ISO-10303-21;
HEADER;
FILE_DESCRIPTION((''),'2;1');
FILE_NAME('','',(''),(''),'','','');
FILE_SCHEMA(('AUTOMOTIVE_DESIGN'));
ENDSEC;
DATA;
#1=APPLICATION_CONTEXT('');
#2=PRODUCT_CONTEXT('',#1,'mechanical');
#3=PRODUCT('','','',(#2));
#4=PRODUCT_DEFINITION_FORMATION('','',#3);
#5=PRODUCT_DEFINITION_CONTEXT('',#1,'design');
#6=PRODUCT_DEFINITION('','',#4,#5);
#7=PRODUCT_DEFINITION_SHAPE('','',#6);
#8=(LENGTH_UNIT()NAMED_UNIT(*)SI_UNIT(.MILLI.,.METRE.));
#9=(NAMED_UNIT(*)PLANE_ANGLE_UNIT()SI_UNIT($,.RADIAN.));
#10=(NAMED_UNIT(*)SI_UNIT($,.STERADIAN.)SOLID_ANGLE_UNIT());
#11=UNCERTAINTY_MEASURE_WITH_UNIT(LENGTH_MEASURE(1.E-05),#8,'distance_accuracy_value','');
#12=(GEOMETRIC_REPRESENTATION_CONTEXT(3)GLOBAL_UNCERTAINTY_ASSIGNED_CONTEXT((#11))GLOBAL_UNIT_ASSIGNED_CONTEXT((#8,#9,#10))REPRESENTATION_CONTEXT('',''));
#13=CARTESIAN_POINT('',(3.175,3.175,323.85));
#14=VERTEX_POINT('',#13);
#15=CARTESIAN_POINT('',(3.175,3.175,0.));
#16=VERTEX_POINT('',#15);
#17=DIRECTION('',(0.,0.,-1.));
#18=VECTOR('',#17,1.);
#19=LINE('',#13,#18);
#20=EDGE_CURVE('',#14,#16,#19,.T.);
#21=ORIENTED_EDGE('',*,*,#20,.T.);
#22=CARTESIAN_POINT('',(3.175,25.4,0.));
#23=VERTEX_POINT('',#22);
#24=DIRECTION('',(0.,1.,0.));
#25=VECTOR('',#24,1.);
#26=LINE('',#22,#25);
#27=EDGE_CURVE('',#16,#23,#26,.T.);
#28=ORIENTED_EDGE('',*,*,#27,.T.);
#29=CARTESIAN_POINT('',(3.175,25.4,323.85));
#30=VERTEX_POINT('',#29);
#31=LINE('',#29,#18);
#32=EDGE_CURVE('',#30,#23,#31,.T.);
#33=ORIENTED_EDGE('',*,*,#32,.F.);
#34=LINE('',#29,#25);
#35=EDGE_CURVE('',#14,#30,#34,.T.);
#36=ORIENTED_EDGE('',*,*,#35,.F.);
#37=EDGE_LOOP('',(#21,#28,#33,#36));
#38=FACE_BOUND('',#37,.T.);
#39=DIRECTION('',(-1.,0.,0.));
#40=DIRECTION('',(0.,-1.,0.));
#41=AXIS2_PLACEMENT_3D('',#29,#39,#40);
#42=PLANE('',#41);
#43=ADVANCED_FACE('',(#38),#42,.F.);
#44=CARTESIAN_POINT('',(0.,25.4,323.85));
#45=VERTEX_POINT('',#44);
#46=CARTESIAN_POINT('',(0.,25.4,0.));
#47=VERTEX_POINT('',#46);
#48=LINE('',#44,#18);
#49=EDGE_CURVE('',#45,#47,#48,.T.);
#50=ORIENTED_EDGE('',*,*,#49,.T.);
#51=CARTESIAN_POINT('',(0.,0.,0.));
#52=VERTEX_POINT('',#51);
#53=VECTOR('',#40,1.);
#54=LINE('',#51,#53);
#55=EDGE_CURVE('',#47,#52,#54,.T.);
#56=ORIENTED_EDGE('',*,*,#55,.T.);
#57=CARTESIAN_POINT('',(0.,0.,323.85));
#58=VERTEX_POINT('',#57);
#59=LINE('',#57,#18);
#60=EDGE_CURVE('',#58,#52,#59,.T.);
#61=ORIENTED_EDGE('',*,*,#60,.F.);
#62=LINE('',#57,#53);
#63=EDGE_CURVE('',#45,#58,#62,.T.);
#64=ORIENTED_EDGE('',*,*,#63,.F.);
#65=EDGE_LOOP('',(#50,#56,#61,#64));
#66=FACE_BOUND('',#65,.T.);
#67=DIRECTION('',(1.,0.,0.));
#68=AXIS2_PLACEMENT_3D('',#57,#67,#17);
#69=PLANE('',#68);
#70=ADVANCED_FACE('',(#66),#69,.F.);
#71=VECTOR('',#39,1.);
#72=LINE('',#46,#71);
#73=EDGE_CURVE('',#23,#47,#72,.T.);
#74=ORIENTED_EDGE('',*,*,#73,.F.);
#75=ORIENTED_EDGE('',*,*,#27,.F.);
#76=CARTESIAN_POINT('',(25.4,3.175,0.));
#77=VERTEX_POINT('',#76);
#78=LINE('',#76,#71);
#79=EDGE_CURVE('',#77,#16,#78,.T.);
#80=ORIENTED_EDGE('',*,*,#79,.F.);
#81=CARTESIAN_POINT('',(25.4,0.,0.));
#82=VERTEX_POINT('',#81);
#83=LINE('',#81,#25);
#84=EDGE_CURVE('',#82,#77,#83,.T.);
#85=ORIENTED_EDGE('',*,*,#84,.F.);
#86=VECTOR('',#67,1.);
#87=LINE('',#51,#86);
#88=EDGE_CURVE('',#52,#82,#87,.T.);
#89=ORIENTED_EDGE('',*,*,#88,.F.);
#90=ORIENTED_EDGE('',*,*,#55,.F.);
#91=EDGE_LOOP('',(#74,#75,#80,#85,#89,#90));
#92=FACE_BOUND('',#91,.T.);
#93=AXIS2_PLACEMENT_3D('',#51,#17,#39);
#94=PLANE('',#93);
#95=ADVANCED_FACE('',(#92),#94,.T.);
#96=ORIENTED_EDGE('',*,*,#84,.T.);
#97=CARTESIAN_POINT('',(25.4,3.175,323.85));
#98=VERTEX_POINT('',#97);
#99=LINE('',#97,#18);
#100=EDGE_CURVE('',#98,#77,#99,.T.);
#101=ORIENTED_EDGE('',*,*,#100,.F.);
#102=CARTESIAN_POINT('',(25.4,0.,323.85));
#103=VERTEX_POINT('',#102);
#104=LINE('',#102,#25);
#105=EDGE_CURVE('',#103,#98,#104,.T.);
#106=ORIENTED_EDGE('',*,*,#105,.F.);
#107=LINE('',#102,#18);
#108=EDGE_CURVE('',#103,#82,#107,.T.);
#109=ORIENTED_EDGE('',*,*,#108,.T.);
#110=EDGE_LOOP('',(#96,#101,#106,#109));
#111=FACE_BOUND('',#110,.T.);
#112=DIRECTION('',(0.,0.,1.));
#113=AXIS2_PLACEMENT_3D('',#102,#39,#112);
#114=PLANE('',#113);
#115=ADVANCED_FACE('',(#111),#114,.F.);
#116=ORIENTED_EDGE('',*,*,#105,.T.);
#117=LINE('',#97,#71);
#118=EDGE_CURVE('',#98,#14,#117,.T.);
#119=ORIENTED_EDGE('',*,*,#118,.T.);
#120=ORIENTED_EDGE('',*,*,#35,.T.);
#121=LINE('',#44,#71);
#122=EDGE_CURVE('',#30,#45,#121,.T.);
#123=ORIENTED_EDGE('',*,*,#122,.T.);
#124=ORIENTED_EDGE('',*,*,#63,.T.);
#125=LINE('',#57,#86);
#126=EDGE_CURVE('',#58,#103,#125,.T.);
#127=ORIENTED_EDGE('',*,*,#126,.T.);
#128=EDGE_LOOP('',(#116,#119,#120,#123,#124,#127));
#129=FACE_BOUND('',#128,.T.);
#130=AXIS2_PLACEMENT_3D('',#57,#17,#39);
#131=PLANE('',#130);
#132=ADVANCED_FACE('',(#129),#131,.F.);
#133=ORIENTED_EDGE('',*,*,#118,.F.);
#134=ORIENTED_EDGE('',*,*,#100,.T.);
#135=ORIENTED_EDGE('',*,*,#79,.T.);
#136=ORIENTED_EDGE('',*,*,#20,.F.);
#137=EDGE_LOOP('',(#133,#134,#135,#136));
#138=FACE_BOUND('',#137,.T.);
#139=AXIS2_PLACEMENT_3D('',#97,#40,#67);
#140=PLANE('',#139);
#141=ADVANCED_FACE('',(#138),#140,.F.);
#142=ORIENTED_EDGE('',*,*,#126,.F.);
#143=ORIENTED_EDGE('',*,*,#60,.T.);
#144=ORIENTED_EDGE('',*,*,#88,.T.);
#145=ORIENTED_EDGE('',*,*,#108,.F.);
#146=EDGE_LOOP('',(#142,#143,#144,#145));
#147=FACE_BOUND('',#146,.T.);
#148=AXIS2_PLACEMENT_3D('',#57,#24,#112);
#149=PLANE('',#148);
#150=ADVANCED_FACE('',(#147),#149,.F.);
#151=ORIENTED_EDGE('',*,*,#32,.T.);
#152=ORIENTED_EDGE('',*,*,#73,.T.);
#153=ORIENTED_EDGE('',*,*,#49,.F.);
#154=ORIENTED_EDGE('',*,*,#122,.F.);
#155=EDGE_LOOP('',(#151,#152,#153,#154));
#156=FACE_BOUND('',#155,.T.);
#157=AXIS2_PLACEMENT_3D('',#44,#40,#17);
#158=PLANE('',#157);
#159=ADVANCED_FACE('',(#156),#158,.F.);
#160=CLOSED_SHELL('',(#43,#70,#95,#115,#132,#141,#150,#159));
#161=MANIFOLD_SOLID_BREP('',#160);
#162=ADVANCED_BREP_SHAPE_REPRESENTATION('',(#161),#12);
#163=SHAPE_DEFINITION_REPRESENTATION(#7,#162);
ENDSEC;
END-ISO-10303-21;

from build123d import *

# Parameters (mm, degrees)
BOSS_EXTRUDE1_DEPTH = 323.85


with BuildPart() as part:
    # Sketch1 → Boss-Extrude1 (new body)
    with BuildSketch(Plane.XY):
        Polygon((0, 0), (25.4, 0), (25.4, 3.175), (3.175, 3.175), (3.175, 25.4), (0, 25.4), align=None)
    extrude(amount=BOSS_EXTRUDE1_DEPTH)


solid = part.part
